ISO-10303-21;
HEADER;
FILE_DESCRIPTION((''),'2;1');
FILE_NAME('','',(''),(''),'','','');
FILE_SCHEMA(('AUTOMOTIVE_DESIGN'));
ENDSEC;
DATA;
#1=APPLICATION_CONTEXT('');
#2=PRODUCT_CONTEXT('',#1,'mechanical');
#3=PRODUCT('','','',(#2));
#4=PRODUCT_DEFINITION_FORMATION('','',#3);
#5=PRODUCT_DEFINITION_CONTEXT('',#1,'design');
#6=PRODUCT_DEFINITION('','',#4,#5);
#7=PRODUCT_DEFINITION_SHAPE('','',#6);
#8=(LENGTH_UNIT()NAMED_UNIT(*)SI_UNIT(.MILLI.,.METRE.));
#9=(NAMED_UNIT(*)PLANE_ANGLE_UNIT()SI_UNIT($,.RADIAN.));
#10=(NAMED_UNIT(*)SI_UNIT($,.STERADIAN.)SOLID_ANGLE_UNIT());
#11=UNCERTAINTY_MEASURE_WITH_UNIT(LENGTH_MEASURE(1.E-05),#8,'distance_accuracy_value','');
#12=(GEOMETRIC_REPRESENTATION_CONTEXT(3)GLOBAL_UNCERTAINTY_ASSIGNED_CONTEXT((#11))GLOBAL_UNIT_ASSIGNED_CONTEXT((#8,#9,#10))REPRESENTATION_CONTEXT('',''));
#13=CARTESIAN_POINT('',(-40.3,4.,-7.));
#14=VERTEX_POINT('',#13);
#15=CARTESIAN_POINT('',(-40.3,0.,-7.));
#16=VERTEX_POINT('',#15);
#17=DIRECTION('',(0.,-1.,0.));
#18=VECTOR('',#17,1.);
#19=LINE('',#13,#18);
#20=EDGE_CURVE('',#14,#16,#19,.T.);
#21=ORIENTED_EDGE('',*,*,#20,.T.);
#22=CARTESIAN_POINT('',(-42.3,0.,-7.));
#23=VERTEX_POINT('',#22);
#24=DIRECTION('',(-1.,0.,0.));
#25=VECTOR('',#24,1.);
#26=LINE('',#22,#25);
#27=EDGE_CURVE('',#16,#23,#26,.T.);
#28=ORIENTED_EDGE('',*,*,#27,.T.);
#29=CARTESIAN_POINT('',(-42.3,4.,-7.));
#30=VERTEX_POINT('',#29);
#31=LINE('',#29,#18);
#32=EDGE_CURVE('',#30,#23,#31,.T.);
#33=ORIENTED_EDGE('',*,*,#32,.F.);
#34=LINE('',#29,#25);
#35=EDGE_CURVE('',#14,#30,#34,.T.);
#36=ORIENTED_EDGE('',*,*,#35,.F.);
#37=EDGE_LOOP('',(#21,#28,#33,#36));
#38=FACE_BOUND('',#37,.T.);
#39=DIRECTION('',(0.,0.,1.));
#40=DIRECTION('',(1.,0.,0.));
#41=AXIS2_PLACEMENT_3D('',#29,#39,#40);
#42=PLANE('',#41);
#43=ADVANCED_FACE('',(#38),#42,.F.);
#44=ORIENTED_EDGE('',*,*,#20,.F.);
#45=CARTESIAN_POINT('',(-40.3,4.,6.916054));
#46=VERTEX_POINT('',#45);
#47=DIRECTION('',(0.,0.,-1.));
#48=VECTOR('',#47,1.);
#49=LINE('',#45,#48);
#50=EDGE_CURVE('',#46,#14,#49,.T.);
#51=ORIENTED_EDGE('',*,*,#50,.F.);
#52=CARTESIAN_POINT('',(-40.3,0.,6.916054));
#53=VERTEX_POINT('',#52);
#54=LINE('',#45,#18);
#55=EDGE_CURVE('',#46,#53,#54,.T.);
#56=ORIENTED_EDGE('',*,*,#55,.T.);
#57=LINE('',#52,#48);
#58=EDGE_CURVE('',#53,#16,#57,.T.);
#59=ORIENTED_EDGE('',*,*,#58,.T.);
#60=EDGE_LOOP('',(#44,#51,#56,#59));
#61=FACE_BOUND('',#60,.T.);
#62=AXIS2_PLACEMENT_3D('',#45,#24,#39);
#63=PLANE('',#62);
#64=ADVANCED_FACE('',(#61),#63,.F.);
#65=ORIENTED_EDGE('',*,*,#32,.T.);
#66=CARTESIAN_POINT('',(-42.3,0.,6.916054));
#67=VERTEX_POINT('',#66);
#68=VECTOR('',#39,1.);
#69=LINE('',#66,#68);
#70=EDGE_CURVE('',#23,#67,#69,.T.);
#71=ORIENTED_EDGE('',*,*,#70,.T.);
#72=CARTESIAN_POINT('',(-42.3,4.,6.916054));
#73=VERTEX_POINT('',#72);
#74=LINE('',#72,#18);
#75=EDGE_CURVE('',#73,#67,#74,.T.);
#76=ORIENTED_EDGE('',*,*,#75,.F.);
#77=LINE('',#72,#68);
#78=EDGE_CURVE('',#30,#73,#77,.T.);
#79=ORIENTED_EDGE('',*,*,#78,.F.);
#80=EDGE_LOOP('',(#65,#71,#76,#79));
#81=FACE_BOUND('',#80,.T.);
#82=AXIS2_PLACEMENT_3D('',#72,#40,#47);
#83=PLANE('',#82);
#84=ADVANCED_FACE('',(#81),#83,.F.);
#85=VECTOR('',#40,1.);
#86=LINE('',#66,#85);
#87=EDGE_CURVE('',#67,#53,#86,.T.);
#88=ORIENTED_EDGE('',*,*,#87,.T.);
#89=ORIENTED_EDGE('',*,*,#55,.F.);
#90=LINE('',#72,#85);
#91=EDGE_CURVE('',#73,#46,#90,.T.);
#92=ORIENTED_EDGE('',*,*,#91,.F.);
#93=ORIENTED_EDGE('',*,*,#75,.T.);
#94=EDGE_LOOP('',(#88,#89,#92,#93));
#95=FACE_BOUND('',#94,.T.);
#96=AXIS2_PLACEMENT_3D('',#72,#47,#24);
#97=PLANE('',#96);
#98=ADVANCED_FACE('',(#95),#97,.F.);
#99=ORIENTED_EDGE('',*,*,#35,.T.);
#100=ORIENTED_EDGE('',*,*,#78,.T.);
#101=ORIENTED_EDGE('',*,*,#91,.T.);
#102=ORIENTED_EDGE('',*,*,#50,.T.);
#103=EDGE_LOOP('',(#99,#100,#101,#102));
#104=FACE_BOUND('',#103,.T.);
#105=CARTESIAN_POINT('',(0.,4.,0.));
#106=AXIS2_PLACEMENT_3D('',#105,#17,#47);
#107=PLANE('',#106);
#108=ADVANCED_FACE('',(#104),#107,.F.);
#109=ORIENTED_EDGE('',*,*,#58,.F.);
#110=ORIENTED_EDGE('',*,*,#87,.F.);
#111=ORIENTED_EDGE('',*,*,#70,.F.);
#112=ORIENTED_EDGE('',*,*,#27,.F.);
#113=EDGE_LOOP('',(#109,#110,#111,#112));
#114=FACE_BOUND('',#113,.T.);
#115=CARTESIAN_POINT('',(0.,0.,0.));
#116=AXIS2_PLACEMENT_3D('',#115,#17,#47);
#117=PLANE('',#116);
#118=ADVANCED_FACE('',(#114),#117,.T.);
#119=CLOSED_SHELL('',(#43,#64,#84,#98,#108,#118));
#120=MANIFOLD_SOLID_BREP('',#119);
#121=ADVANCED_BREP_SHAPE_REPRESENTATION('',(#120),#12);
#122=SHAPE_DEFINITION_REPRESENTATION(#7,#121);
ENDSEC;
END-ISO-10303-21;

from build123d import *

# Parameters (mm, degrees)
SKETCH_3_W      = 2
SKETCH_3_H      = 13.916053512
EXTRUDE_3_DEPTH = 4


with BuildPart() as part:
    # 草图3 → 凸台-拉伸3 (new body)
    with BuildSketch(Plane(origin=(0, 0, 0), x_dir=(1, 0, 0), z_dir=(0, 1, 0))):
        with Locations((-41.3, 0.041973244)):
            Rectangle(SKETCH_3_W, SKETCH_3_H)
    extrude(amount=EXTRUDE_3_DEPTH)


solid = part.part
